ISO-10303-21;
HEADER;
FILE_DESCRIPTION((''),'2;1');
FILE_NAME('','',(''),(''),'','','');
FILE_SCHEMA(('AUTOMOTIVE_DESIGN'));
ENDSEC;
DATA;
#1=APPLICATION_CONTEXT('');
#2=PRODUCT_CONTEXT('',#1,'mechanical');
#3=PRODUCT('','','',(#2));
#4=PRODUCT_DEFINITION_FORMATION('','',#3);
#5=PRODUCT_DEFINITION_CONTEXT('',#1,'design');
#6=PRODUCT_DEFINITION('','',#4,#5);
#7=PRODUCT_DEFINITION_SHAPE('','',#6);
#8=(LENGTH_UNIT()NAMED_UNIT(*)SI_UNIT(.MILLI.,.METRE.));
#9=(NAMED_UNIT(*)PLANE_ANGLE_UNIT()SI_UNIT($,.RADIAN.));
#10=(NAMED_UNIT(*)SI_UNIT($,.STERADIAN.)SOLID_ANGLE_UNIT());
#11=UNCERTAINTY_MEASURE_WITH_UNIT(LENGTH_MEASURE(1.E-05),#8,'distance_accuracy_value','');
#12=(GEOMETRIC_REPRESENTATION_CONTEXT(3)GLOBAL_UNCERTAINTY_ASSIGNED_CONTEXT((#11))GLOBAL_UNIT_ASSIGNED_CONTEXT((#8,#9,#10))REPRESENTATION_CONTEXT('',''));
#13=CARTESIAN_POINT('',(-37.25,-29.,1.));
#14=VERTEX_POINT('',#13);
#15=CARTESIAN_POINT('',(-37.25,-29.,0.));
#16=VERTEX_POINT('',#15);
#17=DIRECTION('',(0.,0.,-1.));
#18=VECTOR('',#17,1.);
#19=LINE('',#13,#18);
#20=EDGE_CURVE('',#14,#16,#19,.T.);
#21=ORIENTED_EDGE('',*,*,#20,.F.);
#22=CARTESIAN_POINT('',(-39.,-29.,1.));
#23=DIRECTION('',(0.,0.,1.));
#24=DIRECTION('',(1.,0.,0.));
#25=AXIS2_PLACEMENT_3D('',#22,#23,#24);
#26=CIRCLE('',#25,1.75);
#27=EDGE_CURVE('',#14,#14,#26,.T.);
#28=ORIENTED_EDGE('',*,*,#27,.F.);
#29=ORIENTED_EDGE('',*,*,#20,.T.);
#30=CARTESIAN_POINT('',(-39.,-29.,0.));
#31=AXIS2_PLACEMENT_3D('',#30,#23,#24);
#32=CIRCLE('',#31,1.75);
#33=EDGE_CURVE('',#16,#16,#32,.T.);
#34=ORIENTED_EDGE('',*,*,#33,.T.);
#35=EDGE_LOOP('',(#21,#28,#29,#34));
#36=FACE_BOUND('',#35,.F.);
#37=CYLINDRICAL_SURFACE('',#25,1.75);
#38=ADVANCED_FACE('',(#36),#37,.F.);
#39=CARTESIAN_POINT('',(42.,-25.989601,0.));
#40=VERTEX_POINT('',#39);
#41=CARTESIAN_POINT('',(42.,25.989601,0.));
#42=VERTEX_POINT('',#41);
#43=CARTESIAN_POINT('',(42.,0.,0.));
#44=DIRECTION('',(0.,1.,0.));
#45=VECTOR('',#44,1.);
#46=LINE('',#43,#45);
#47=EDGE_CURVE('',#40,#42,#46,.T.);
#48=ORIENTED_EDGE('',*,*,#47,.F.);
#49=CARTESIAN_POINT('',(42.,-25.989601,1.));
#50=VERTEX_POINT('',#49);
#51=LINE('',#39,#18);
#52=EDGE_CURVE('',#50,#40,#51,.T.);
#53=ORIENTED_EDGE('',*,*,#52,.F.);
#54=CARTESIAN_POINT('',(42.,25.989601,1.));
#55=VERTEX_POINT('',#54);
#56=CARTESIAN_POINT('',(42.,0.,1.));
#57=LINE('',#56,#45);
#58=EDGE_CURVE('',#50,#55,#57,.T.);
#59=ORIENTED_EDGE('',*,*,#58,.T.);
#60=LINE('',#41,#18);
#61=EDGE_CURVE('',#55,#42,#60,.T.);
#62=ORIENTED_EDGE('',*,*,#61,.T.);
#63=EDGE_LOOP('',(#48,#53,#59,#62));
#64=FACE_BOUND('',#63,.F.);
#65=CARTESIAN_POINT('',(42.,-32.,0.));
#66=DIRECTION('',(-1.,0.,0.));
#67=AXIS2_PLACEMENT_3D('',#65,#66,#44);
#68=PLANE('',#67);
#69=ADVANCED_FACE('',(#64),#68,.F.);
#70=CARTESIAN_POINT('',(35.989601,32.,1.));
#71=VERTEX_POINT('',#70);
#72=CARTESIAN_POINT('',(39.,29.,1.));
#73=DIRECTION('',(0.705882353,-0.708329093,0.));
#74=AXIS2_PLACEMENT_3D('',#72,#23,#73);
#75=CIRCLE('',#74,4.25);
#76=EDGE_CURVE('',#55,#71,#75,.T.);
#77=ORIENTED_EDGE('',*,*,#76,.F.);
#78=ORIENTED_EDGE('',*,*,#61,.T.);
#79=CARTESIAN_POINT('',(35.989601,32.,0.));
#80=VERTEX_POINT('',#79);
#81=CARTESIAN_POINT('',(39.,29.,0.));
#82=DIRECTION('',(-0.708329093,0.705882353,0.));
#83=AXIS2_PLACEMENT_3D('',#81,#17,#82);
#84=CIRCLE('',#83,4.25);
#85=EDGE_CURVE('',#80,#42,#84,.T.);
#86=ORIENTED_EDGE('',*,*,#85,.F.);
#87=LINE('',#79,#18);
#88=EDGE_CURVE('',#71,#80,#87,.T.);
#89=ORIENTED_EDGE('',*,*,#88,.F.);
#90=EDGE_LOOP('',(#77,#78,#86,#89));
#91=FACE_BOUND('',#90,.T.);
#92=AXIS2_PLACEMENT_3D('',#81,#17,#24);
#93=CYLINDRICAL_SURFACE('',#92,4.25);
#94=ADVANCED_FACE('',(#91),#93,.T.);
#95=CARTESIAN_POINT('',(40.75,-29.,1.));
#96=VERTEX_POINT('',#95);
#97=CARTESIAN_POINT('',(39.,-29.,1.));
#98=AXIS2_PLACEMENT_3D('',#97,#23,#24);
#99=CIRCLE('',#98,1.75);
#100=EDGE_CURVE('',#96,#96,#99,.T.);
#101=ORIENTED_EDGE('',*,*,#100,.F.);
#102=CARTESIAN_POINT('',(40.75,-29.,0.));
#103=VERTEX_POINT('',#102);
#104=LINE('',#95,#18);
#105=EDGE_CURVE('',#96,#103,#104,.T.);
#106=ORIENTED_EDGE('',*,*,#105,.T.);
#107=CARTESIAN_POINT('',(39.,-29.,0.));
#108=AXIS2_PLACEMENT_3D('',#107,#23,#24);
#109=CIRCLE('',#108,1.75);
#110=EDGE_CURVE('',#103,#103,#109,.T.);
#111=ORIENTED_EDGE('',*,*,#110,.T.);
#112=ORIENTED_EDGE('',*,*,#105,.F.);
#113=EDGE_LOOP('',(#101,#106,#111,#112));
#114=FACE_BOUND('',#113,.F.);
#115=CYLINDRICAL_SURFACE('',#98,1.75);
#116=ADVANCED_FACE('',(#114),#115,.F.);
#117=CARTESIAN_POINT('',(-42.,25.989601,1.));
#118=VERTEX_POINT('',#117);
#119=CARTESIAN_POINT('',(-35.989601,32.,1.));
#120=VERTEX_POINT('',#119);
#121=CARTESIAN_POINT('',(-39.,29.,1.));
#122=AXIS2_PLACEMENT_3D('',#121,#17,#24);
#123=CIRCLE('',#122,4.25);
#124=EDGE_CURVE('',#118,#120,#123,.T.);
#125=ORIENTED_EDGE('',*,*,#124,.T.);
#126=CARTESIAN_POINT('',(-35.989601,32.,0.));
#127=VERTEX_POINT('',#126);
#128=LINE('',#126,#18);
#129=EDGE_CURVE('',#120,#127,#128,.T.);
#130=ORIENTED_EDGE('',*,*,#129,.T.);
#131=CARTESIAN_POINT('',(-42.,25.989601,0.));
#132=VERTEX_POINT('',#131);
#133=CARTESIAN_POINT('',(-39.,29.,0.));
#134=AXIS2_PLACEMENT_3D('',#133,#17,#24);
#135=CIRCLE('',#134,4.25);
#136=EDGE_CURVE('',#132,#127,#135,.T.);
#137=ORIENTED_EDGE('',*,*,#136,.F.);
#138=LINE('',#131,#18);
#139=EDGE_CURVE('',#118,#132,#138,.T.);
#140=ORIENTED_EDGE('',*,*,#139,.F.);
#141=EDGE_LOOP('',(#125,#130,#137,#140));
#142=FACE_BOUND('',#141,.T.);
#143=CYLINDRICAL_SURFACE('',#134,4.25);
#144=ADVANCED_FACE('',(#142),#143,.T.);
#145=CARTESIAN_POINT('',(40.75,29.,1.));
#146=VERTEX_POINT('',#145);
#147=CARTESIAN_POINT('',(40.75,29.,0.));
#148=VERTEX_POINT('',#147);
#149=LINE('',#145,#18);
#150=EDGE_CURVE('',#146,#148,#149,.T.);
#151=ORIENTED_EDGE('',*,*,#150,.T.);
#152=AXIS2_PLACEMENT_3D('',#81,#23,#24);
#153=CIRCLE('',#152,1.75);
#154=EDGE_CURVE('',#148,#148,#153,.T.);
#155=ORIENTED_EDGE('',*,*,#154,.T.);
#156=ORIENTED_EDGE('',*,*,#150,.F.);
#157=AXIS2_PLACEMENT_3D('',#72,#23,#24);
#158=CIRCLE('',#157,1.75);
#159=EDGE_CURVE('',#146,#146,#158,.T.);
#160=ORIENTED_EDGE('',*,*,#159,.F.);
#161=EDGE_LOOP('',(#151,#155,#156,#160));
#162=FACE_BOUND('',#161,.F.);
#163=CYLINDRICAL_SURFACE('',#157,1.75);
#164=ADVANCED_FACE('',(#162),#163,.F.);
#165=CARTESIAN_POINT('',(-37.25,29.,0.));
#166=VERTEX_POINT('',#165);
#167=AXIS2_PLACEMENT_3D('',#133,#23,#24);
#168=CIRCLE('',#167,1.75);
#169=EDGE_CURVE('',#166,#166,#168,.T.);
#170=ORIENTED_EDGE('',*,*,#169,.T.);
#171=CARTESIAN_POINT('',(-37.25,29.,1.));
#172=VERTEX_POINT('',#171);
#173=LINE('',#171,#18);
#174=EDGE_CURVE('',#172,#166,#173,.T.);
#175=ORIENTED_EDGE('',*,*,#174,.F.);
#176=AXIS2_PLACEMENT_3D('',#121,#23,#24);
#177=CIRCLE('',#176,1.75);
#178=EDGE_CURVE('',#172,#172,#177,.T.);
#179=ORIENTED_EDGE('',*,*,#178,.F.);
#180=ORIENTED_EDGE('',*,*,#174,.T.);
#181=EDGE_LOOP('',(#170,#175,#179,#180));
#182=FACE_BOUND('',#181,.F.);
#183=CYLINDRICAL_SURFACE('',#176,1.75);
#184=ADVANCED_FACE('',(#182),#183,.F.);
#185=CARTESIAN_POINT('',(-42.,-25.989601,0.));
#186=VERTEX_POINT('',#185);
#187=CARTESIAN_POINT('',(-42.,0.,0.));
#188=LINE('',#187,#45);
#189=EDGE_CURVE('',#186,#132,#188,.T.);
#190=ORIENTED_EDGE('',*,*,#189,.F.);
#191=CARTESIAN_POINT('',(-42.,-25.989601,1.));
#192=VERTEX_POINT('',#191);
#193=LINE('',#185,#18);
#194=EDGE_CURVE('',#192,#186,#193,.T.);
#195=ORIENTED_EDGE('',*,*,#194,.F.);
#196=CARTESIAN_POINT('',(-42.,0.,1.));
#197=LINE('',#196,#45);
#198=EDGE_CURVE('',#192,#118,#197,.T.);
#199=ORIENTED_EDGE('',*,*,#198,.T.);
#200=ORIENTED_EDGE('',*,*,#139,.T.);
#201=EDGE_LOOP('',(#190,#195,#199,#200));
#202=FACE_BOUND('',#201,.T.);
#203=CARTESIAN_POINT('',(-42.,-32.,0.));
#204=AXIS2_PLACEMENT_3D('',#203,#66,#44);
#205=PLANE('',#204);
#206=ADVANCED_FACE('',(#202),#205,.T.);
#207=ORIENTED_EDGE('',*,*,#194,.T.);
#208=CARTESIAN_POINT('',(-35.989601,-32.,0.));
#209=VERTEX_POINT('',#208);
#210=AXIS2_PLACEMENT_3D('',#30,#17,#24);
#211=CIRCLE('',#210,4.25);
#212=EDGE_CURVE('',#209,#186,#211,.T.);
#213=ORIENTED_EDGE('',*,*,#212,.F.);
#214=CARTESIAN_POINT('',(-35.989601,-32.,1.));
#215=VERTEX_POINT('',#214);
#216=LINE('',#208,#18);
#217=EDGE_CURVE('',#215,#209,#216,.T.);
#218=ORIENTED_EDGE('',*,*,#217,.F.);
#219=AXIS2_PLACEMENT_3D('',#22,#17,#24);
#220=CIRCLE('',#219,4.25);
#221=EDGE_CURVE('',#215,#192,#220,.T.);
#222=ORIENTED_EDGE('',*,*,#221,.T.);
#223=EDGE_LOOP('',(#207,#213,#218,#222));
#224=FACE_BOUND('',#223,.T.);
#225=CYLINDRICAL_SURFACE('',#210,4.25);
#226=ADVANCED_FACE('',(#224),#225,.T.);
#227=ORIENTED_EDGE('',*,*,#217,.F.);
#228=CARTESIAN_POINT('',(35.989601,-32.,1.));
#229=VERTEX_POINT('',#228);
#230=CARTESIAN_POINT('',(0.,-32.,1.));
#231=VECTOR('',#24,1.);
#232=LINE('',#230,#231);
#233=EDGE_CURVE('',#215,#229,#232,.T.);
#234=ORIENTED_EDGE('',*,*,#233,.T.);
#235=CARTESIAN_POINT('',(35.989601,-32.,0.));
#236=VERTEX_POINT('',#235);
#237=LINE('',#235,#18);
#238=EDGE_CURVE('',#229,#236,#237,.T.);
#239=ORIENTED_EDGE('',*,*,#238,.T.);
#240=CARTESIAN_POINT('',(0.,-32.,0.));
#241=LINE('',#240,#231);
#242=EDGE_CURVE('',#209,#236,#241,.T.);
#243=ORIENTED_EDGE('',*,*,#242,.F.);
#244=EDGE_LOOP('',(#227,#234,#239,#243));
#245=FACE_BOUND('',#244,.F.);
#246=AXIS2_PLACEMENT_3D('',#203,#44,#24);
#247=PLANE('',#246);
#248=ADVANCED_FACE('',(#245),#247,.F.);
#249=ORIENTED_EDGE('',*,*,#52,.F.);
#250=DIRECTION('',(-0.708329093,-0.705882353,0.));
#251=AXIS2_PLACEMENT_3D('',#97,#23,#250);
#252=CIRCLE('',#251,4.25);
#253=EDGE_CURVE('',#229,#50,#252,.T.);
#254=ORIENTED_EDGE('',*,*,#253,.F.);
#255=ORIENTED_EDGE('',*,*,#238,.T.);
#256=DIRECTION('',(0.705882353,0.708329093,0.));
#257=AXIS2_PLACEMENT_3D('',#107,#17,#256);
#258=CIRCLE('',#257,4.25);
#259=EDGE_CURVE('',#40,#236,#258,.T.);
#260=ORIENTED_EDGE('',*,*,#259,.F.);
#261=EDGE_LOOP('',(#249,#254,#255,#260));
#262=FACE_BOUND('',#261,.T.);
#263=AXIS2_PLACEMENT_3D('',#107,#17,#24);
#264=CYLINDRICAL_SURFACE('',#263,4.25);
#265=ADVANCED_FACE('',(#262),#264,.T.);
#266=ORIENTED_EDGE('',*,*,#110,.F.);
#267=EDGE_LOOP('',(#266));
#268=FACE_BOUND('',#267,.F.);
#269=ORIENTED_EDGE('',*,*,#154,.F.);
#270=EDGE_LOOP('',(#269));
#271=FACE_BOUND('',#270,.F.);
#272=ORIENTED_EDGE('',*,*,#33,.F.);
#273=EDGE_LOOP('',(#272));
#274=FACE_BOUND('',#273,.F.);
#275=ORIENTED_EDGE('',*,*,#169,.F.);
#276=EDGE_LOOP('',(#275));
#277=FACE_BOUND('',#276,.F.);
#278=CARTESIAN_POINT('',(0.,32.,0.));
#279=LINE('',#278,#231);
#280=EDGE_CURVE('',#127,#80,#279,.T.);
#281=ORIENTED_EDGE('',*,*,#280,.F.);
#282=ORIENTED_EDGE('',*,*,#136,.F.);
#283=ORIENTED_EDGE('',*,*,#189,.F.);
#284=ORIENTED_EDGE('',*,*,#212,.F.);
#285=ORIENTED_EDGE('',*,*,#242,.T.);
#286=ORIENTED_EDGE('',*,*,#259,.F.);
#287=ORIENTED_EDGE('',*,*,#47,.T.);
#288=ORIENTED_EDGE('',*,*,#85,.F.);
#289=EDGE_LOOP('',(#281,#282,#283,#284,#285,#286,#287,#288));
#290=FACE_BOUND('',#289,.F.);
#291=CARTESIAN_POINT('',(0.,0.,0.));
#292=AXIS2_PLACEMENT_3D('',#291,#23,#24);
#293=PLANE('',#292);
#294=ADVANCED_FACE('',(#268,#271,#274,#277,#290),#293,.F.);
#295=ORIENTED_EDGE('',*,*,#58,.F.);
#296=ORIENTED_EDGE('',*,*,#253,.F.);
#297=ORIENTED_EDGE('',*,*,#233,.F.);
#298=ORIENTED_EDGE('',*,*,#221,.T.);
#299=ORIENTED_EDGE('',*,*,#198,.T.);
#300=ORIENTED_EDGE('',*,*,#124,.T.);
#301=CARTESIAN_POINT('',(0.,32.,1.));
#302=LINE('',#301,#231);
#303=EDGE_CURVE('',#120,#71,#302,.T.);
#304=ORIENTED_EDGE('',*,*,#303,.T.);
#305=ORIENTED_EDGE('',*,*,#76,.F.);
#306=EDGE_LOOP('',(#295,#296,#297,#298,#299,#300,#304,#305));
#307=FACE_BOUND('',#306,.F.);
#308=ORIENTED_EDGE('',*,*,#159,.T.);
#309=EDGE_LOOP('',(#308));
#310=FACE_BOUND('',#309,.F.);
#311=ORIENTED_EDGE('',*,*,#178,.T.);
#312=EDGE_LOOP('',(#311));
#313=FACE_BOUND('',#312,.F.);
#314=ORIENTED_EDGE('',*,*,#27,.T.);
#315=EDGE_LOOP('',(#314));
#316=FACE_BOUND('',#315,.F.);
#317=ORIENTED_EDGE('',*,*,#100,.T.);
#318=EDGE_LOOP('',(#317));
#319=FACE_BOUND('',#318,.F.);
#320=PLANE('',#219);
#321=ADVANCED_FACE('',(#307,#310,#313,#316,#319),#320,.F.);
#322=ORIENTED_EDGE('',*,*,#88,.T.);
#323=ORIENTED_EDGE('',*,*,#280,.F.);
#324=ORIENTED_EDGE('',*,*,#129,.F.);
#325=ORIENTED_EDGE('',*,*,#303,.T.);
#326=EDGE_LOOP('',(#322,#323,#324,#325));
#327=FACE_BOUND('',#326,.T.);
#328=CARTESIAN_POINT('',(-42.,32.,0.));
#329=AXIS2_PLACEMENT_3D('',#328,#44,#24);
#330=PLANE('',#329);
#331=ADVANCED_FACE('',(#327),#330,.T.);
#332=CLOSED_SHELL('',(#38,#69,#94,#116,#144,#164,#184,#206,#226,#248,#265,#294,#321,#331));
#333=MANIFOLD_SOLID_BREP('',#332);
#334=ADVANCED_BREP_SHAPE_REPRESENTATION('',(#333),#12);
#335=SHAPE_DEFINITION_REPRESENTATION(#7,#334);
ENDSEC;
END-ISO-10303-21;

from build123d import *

# Parameters (mm, degrees)
F0_W     = 84
F0_H     = 64
F1_DEPTH = 1
F2_R     = 4.25
F3_DEPTH = 1
F4_R     = 1.75
F5_DEPTH = 40


with BuildPart() as f1:
    # F0 (on Top) → F1 (new body)
    with BuildSketch(Plane.XY):
        Rectangle(F0_W, F0_H)
    extrude(amount=F1_DEPTH)

    # F2 (on face) → F3 (join)
    with BuildSketch(Plane(origin=(0, 0, 0), x_dir=(1, 0, 0), z_dir=(0, 0, -1))):
        with Locations((-39, 29)):
            Circle(F2_R)
        with Locations((-39, -29)):
            Circle(F2_R)
        with Locations((39, -29)):
            Circle(F2_R)
        with Locations((39, 29)):
            Circle(F2_R)
    extrude(amount=-F3_DEPTH)

    # F4 (on face) → F5 (cut)
    with BuildSketch(Plane.XY.offset(1)):
        with Locations((-39, 29)):
            Circle(F4_R)
        with Locations((39, 29)):
            Circle(F4_R)
        with Locations((-39, -29)):
            Circle(F4_R)
        with Locations((39, -29)):
            Circle(F4_R)
    extrude(amount=-F5_DEPTH, mode=Mode.SUBTRACT)


solid = f1.part
